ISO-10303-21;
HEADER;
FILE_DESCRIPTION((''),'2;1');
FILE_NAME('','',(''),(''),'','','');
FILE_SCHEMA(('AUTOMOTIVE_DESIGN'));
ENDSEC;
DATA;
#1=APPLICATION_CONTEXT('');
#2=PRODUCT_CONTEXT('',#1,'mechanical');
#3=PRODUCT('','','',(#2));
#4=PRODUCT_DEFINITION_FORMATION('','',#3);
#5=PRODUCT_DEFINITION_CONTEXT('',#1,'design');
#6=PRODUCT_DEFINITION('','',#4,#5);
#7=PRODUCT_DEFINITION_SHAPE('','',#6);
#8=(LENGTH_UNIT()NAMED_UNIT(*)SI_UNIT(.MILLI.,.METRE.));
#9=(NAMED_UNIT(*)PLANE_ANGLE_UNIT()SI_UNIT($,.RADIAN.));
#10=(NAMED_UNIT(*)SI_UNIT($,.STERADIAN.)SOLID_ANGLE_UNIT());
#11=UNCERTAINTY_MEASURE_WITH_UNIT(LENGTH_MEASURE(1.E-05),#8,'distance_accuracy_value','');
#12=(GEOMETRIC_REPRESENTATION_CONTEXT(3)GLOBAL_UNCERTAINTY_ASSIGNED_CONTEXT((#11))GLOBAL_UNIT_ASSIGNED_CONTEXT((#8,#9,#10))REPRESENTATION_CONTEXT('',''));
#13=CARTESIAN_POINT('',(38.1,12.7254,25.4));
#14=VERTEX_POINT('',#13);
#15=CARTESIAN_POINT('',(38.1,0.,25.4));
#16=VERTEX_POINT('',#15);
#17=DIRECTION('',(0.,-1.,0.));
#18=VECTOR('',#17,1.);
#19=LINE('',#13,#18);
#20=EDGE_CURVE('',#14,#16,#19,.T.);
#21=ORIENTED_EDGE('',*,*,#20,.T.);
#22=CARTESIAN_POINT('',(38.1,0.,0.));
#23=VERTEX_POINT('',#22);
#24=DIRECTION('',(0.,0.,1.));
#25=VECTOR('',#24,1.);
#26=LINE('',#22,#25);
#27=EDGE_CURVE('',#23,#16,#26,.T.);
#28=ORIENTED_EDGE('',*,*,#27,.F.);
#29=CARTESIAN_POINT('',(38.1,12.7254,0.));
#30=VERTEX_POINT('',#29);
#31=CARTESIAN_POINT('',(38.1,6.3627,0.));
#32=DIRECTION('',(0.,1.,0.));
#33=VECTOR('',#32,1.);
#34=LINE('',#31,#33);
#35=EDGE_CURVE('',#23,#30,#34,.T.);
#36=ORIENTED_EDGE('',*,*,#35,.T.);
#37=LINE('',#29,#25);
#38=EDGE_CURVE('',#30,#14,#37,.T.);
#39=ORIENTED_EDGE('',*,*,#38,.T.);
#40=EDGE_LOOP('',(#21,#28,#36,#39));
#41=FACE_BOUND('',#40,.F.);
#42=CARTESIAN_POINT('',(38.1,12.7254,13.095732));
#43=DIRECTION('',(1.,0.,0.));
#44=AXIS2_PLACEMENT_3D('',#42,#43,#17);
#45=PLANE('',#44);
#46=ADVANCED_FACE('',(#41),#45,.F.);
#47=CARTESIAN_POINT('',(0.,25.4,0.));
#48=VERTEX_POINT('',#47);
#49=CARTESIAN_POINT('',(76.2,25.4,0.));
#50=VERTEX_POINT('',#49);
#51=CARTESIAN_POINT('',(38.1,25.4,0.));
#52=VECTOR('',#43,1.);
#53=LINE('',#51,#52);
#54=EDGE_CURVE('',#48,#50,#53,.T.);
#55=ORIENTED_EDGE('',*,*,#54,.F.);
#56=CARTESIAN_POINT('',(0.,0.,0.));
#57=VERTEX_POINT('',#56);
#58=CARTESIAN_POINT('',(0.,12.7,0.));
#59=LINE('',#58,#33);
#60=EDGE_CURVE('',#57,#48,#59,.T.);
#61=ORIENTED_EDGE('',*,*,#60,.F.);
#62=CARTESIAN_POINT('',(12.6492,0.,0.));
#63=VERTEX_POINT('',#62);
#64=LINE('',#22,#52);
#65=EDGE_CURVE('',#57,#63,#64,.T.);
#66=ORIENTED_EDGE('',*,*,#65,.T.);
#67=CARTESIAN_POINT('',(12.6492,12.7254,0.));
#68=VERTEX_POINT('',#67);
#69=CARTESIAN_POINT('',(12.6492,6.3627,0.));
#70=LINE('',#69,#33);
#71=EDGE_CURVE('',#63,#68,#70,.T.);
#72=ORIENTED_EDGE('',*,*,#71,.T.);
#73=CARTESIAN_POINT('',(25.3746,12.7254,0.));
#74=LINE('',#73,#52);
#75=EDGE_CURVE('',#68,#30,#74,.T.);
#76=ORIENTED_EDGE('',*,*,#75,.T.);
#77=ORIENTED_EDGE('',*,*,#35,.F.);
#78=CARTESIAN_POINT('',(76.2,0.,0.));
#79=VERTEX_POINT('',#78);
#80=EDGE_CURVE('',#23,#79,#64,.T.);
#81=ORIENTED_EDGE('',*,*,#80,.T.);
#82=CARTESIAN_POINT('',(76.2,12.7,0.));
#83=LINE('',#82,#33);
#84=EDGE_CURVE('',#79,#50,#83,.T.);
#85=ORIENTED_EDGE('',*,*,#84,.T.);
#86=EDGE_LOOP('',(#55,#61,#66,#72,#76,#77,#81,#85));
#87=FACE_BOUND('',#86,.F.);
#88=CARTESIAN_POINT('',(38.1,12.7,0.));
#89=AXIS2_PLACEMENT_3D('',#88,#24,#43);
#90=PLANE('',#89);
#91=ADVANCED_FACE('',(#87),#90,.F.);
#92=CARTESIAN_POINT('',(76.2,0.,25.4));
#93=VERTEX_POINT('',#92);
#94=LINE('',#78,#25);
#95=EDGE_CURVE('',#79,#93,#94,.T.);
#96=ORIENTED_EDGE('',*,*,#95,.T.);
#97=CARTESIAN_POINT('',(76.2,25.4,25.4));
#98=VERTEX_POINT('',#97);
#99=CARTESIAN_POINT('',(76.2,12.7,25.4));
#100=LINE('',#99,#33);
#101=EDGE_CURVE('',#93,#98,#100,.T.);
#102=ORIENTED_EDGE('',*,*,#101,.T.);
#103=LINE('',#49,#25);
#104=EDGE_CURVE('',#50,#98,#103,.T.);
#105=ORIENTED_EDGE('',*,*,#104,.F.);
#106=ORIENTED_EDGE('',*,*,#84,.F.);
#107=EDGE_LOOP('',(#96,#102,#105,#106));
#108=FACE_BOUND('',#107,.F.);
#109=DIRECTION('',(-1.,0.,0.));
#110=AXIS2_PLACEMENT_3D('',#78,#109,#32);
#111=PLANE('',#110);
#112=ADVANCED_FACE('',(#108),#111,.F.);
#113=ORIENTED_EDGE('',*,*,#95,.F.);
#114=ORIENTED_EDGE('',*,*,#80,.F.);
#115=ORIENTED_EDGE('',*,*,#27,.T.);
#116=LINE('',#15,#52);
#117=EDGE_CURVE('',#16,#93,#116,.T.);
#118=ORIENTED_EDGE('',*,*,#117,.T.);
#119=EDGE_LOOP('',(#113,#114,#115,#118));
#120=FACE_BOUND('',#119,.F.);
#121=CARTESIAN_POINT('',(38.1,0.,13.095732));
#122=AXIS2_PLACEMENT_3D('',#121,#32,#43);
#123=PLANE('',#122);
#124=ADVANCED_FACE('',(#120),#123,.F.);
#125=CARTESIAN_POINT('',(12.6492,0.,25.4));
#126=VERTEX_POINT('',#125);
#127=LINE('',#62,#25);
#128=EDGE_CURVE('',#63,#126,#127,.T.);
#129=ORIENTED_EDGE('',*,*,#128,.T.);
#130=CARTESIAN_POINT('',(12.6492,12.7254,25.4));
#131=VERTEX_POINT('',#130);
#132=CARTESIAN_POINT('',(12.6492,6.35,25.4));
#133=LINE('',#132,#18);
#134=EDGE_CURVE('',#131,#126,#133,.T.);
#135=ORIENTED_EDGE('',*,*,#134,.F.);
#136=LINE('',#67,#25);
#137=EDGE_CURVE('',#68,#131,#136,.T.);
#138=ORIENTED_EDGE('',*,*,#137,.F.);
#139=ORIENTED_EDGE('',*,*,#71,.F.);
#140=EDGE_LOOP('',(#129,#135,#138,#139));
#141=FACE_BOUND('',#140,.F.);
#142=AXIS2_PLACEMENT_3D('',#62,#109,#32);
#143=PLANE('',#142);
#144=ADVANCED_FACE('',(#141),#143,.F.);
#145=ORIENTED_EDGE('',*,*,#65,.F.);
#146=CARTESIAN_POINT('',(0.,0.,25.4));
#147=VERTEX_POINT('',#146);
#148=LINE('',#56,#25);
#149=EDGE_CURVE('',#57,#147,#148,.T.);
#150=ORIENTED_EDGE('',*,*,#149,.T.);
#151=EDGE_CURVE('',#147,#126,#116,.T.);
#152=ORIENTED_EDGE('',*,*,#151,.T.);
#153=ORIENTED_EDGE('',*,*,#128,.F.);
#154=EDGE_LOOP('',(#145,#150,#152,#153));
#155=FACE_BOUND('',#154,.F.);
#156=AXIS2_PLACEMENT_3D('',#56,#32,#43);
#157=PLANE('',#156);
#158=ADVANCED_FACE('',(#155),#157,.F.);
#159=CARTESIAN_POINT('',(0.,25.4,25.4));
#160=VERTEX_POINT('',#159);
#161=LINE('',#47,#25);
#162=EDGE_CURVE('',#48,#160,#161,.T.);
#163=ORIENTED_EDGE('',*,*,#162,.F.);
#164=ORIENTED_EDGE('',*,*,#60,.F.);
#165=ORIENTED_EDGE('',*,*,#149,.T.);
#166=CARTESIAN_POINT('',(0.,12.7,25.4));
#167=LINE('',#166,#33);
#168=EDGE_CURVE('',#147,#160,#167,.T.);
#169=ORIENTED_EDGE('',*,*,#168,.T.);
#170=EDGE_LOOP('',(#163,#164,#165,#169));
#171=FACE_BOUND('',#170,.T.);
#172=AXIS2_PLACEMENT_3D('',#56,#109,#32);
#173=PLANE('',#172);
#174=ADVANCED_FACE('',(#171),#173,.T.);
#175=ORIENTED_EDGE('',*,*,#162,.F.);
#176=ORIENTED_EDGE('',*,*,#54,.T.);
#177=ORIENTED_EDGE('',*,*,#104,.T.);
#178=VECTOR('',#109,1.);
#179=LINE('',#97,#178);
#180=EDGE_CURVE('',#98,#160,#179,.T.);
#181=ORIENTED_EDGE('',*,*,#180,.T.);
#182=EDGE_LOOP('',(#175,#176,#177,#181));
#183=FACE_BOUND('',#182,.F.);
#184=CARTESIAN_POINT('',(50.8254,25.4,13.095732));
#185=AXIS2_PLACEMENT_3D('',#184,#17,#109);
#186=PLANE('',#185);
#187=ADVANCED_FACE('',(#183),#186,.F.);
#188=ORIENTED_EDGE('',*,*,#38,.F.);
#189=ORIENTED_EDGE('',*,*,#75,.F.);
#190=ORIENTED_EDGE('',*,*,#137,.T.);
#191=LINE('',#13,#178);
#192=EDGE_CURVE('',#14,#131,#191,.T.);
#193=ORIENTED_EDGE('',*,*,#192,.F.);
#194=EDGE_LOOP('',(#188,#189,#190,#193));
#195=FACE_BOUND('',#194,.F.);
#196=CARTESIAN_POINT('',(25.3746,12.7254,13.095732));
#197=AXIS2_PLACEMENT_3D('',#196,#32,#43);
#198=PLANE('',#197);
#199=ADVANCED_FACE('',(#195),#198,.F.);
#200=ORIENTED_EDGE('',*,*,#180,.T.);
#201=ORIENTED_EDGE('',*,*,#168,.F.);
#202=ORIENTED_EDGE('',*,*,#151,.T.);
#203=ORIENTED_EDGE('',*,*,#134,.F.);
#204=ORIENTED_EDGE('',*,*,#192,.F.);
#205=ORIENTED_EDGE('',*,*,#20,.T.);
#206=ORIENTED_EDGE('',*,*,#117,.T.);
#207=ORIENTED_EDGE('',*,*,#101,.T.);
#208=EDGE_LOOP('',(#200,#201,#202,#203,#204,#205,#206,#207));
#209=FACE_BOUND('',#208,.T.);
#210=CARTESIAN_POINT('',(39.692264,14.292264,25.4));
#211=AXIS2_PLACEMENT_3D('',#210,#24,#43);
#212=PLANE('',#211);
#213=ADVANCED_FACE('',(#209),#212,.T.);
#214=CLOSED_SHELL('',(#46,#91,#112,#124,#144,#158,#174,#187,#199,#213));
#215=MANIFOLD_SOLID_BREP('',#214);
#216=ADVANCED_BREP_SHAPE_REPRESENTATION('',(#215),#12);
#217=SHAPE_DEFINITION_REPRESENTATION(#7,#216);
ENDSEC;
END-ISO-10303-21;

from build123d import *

# Parameters (mm, degrees)
F0_W     = 76.2
F0_H     = 25.4
F1_DEPTH = 25.4
F2_W     = 25.4508
F2_H     = 12.7254
F3_DEPTH = 25.4
F4_W     = 25.4508
F4_H     = 12.7254
F5_DEPTH = 25.654
F6_DEPTH = 12.304268


with BuildPart() as f1:
    # F0 (on Top) → F1 (new body)
    with BuildSketch(Plane.XY):
        with Locations((38.1, 12.7)):
            Rectangle(F0_W, F0_H)
    extrude(amount=F1_DEPTH)

    # F2 (on Front) → F3 (cut)
    with BuildSketch(Plane.XZ):
        with Locations((38.1, 19.458432)):
            Rectangle(F2_W, F2_H)
    extrude(amount=-F3_DEPTH, mode=Mode.SUBTRACT)

    # F4 (on Top) → F5 (cut)
    with BuildSketch(Plane.XY):
        with Locations((25.3746, 6.3627)):
            Rectangle(F4_W, F4_H)
    extrude(amount=F5_DEPTH, mode=Mode.SUBTRACT)

    # F3_face (on face) → F6 (join, through all)
    with BuildSketch(Plane(origin=(40.22656, 14.81807, 13.095732), x_dir=(1, 0, 0), z_dir=(0, 0, 1))):
        Polygon((-14.85196, -2.09267), (-2.12656, -2.09267), (-2.12656, -14.81807), (10.59884, -14.81807), (10.59884, 10.58193), (-14.85196, 10.58193), align=None)
    extrude(amount=F6_DEPTH)


solid = f1.part
